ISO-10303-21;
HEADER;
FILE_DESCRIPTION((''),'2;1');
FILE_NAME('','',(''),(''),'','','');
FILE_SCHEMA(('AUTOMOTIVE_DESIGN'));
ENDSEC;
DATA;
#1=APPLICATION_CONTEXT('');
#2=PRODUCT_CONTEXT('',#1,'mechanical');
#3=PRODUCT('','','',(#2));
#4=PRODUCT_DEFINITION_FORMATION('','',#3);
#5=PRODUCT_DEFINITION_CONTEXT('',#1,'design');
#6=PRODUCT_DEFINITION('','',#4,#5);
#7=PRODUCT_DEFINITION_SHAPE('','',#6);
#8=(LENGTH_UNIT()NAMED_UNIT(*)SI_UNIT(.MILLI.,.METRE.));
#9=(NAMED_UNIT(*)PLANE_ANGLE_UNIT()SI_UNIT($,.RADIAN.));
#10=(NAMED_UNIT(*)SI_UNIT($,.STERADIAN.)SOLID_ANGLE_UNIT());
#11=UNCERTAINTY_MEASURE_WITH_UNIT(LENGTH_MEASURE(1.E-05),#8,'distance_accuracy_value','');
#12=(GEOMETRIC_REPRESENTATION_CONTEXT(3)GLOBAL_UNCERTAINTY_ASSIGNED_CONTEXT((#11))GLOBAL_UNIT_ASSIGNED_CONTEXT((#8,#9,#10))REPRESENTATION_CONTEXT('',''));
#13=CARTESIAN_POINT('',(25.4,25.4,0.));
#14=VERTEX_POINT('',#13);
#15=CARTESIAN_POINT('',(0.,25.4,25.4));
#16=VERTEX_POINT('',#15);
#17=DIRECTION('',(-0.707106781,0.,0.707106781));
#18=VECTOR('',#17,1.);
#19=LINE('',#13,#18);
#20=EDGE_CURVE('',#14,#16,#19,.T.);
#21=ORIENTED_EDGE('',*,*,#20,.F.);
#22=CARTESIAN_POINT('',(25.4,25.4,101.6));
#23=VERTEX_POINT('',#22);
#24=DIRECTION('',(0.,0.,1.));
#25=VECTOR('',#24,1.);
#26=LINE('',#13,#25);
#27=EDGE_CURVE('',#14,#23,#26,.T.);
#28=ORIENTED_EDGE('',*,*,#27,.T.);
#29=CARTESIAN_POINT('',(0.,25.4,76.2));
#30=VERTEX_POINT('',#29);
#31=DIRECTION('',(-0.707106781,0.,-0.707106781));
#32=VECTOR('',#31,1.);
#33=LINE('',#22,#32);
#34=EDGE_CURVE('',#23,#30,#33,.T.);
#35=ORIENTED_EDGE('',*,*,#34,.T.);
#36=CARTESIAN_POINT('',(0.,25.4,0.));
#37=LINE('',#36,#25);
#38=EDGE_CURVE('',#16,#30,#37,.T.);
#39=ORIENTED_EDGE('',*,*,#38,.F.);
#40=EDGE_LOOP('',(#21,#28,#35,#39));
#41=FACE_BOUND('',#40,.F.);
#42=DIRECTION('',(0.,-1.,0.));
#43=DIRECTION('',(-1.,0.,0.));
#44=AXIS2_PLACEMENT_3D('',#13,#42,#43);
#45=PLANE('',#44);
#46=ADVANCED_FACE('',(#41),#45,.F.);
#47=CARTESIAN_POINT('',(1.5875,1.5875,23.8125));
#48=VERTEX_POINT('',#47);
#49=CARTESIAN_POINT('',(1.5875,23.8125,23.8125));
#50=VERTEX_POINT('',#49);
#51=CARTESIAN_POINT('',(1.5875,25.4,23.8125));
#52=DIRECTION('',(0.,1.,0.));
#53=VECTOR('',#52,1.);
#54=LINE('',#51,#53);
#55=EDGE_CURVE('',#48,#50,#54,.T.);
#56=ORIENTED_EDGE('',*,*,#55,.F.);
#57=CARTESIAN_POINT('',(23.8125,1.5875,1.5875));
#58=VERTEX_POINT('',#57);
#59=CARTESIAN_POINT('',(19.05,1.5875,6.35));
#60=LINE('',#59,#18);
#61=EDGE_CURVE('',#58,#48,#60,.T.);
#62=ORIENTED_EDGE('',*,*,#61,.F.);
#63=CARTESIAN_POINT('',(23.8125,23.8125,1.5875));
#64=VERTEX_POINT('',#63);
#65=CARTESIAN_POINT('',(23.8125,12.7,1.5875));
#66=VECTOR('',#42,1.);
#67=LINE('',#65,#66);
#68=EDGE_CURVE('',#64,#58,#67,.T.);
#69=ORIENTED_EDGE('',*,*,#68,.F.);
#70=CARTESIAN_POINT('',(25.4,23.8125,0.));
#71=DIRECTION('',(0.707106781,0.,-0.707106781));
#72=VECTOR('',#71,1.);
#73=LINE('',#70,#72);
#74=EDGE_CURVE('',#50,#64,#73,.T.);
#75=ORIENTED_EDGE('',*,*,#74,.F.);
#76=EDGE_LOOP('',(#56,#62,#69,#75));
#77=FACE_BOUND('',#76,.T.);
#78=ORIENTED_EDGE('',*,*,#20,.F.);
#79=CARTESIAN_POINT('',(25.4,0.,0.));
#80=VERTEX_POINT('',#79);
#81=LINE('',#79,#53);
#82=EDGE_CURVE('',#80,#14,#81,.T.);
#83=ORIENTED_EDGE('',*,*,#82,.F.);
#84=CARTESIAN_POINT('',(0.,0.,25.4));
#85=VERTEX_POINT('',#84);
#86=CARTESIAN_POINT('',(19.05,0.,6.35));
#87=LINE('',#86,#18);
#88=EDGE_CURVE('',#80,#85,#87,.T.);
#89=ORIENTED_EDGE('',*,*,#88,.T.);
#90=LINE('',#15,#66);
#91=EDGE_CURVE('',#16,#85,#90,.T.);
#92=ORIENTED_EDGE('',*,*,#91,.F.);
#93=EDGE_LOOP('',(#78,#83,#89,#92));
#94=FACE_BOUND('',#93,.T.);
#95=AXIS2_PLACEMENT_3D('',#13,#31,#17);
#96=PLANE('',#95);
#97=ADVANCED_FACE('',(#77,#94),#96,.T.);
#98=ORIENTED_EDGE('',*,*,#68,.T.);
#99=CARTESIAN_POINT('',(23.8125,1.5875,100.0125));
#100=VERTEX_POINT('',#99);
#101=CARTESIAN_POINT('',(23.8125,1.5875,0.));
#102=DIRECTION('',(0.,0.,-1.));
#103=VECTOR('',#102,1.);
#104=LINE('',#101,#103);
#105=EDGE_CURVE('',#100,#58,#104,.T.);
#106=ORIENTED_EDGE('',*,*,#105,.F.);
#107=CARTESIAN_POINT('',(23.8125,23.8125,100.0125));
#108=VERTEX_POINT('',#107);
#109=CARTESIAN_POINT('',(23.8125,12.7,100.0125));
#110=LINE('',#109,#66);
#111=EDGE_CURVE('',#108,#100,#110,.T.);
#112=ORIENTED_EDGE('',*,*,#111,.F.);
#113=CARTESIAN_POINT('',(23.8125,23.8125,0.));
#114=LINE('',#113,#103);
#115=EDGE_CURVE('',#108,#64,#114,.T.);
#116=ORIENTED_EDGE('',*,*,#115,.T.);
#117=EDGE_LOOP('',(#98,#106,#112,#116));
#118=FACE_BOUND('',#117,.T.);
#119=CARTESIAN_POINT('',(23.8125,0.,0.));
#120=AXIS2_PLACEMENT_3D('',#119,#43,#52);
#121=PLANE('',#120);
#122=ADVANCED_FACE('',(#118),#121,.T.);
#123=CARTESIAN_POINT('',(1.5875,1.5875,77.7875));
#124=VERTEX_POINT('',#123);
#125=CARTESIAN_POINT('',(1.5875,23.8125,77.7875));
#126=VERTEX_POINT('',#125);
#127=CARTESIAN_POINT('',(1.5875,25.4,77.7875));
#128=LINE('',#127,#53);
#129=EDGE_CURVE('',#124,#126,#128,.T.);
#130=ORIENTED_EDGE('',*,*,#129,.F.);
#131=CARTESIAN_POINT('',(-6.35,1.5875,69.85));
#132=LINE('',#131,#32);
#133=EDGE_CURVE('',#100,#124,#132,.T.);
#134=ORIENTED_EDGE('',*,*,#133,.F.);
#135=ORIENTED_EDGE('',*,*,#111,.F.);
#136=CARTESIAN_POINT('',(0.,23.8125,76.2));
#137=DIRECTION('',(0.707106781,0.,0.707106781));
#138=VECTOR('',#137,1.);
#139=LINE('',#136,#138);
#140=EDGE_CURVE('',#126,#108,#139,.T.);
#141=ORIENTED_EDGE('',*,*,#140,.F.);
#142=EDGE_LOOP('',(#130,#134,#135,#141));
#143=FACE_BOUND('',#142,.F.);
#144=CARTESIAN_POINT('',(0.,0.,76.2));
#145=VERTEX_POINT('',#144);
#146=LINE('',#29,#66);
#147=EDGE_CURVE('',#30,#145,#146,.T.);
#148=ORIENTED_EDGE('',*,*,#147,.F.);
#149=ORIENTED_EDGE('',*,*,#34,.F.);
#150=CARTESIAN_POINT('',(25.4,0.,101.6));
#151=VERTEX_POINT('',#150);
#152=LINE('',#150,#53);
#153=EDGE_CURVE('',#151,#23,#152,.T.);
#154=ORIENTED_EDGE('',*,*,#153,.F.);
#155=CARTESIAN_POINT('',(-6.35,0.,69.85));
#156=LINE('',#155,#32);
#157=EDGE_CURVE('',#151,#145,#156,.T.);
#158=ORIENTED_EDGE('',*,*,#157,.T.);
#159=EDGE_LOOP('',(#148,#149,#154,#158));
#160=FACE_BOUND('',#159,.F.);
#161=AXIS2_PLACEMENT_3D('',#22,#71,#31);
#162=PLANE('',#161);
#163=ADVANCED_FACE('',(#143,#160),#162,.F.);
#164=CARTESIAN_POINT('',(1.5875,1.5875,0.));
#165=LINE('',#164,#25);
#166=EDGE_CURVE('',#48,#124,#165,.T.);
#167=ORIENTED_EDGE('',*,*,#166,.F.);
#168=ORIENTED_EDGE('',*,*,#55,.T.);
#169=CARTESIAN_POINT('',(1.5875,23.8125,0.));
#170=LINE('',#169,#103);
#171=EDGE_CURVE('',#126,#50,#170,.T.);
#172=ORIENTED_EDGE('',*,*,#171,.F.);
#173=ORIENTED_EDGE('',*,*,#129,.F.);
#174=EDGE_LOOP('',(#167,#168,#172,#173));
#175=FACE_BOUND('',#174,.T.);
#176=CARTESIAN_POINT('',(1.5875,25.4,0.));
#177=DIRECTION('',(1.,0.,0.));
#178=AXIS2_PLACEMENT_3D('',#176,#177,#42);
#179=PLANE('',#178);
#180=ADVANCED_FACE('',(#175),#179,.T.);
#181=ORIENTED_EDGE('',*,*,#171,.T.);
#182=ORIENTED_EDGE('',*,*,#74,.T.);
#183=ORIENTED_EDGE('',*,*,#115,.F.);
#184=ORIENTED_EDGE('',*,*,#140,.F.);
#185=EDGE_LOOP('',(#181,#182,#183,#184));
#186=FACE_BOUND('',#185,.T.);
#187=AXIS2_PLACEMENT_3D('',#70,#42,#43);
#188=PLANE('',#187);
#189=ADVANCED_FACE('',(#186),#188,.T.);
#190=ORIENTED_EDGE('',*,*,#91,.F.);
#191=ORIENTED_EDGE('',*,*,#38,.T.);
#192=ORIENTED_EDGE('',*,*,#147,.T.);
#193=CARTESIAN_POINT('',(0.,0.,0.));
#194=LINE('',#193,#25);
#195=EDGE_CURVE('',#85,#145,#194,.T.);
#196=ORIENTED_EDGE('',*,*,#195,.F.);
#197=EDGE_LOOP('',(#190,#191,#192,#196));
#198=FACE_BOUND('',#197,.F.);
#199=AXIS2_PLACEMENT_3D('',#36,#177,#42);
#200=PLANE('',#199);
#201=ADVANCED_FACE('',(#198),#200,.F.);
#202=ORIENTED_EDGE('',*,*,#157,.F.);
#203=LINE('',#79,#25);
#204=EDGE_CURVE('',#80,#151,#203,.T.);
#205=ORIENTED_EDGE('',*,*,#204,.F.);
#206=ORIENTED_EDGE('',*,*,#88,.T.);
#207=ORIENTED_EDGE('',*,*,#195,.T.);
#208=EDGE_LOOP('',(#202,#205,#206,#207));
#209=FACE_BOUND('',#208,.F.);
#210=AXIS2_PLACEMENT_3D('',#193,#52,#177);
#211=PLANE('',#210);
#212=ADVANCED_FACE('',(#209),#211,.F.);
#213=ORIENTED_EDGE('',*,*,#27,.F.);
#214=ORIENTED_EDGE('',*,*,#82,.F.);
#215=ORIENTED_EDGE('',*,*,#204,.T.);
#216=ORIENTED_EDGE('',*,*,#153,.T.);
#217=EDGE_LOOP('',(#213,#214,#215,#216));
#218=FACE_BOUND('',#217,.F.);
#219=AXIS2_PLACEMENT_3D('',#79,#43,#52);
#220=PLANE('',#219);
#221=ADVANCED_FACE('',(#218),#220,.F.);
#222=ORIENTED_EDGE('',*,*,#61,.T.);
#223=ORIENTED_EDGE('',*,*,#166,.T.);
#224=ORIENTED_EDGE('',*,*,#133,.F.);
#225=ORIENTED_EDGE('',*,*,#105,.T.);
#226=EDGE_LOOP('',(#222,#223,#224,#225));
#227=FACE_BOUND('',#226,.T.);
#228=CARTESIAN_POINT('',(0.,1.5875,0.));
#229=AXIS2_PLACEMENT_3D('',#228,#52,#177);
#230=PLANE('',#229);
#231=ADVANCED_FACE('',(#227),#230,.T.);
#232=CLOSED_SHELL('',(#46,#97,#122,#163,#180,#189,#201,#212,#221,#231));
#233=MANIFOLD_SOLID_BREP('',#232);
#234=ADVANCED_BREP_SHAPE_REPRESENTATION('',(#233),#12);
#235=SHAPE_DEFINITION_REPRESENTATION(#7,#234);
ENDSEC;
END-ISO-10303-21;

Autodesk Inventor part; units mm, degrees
ref_plane "YZ Plane" through (0, 0, 0) normal (1, 0, 0) x (0, 1, 0)
ref_plane "XZ Plane" through (0, 0, 0) normal (0, 1, 0) x (-1, 0, 0)
ref_plane "XY Plane" through (0, 0, 0) normal (0, 0, 1) x (1, 0, 0)
sketch "Sketch1" plane through (0, 0, 0) normal (0, 0, 1) x (1, 0, 0)
  line L0 (0, 0) -> (25.4, 0)
  line L1 (25.4, 0) -> (25.4, 25.4)
  line L2 (25.4, 25.4) -> (0, 25.4)
  line L3 (0, 25.4) -> (0, 0)
  dimension "d0" = 25.4
  dimension "d1" = 25.4
extrude "Extrusion1" add sketch "Sketch1" along normal blind 101.6
shell "Shell1" thickness 1.5875 removed faces 2 at (8.4667, 16.9333, 0) at (8.4667, 16.9333, 101.6)
sketch "Sketch2" plane through (0, 25.4, 0) normal (0, 1, 0) x (1, 0, 0)
  line L0 (0, -101.6) -> (25.4, -101.6) projected
  line L1 (25.4, 0) -> (0, 0) projected
  line L2 (0, 0) -> (0, -101.6) projected
  line L3 (25.4, 0) -> (0, -25.4)
  line L4 (0, -25.4) -> (0, 0)
  line L5 (0, 0) -> (25.4, 0)
  line L6 (25.4, -101.6) -> (0, -76.2)
  line L7 (0, -101.6) -> (0, -76.2)
  line L8 (0, -101.6) -> (25.4, -101.6)
  dimension "d5" = 45
  dimension "d6" = 45
extrude "Extrusion2" cut sketch "Sketch2" against normal through all
properties part number "Frame_VerticalAngle_Mid" material "Aluminum-6061"
